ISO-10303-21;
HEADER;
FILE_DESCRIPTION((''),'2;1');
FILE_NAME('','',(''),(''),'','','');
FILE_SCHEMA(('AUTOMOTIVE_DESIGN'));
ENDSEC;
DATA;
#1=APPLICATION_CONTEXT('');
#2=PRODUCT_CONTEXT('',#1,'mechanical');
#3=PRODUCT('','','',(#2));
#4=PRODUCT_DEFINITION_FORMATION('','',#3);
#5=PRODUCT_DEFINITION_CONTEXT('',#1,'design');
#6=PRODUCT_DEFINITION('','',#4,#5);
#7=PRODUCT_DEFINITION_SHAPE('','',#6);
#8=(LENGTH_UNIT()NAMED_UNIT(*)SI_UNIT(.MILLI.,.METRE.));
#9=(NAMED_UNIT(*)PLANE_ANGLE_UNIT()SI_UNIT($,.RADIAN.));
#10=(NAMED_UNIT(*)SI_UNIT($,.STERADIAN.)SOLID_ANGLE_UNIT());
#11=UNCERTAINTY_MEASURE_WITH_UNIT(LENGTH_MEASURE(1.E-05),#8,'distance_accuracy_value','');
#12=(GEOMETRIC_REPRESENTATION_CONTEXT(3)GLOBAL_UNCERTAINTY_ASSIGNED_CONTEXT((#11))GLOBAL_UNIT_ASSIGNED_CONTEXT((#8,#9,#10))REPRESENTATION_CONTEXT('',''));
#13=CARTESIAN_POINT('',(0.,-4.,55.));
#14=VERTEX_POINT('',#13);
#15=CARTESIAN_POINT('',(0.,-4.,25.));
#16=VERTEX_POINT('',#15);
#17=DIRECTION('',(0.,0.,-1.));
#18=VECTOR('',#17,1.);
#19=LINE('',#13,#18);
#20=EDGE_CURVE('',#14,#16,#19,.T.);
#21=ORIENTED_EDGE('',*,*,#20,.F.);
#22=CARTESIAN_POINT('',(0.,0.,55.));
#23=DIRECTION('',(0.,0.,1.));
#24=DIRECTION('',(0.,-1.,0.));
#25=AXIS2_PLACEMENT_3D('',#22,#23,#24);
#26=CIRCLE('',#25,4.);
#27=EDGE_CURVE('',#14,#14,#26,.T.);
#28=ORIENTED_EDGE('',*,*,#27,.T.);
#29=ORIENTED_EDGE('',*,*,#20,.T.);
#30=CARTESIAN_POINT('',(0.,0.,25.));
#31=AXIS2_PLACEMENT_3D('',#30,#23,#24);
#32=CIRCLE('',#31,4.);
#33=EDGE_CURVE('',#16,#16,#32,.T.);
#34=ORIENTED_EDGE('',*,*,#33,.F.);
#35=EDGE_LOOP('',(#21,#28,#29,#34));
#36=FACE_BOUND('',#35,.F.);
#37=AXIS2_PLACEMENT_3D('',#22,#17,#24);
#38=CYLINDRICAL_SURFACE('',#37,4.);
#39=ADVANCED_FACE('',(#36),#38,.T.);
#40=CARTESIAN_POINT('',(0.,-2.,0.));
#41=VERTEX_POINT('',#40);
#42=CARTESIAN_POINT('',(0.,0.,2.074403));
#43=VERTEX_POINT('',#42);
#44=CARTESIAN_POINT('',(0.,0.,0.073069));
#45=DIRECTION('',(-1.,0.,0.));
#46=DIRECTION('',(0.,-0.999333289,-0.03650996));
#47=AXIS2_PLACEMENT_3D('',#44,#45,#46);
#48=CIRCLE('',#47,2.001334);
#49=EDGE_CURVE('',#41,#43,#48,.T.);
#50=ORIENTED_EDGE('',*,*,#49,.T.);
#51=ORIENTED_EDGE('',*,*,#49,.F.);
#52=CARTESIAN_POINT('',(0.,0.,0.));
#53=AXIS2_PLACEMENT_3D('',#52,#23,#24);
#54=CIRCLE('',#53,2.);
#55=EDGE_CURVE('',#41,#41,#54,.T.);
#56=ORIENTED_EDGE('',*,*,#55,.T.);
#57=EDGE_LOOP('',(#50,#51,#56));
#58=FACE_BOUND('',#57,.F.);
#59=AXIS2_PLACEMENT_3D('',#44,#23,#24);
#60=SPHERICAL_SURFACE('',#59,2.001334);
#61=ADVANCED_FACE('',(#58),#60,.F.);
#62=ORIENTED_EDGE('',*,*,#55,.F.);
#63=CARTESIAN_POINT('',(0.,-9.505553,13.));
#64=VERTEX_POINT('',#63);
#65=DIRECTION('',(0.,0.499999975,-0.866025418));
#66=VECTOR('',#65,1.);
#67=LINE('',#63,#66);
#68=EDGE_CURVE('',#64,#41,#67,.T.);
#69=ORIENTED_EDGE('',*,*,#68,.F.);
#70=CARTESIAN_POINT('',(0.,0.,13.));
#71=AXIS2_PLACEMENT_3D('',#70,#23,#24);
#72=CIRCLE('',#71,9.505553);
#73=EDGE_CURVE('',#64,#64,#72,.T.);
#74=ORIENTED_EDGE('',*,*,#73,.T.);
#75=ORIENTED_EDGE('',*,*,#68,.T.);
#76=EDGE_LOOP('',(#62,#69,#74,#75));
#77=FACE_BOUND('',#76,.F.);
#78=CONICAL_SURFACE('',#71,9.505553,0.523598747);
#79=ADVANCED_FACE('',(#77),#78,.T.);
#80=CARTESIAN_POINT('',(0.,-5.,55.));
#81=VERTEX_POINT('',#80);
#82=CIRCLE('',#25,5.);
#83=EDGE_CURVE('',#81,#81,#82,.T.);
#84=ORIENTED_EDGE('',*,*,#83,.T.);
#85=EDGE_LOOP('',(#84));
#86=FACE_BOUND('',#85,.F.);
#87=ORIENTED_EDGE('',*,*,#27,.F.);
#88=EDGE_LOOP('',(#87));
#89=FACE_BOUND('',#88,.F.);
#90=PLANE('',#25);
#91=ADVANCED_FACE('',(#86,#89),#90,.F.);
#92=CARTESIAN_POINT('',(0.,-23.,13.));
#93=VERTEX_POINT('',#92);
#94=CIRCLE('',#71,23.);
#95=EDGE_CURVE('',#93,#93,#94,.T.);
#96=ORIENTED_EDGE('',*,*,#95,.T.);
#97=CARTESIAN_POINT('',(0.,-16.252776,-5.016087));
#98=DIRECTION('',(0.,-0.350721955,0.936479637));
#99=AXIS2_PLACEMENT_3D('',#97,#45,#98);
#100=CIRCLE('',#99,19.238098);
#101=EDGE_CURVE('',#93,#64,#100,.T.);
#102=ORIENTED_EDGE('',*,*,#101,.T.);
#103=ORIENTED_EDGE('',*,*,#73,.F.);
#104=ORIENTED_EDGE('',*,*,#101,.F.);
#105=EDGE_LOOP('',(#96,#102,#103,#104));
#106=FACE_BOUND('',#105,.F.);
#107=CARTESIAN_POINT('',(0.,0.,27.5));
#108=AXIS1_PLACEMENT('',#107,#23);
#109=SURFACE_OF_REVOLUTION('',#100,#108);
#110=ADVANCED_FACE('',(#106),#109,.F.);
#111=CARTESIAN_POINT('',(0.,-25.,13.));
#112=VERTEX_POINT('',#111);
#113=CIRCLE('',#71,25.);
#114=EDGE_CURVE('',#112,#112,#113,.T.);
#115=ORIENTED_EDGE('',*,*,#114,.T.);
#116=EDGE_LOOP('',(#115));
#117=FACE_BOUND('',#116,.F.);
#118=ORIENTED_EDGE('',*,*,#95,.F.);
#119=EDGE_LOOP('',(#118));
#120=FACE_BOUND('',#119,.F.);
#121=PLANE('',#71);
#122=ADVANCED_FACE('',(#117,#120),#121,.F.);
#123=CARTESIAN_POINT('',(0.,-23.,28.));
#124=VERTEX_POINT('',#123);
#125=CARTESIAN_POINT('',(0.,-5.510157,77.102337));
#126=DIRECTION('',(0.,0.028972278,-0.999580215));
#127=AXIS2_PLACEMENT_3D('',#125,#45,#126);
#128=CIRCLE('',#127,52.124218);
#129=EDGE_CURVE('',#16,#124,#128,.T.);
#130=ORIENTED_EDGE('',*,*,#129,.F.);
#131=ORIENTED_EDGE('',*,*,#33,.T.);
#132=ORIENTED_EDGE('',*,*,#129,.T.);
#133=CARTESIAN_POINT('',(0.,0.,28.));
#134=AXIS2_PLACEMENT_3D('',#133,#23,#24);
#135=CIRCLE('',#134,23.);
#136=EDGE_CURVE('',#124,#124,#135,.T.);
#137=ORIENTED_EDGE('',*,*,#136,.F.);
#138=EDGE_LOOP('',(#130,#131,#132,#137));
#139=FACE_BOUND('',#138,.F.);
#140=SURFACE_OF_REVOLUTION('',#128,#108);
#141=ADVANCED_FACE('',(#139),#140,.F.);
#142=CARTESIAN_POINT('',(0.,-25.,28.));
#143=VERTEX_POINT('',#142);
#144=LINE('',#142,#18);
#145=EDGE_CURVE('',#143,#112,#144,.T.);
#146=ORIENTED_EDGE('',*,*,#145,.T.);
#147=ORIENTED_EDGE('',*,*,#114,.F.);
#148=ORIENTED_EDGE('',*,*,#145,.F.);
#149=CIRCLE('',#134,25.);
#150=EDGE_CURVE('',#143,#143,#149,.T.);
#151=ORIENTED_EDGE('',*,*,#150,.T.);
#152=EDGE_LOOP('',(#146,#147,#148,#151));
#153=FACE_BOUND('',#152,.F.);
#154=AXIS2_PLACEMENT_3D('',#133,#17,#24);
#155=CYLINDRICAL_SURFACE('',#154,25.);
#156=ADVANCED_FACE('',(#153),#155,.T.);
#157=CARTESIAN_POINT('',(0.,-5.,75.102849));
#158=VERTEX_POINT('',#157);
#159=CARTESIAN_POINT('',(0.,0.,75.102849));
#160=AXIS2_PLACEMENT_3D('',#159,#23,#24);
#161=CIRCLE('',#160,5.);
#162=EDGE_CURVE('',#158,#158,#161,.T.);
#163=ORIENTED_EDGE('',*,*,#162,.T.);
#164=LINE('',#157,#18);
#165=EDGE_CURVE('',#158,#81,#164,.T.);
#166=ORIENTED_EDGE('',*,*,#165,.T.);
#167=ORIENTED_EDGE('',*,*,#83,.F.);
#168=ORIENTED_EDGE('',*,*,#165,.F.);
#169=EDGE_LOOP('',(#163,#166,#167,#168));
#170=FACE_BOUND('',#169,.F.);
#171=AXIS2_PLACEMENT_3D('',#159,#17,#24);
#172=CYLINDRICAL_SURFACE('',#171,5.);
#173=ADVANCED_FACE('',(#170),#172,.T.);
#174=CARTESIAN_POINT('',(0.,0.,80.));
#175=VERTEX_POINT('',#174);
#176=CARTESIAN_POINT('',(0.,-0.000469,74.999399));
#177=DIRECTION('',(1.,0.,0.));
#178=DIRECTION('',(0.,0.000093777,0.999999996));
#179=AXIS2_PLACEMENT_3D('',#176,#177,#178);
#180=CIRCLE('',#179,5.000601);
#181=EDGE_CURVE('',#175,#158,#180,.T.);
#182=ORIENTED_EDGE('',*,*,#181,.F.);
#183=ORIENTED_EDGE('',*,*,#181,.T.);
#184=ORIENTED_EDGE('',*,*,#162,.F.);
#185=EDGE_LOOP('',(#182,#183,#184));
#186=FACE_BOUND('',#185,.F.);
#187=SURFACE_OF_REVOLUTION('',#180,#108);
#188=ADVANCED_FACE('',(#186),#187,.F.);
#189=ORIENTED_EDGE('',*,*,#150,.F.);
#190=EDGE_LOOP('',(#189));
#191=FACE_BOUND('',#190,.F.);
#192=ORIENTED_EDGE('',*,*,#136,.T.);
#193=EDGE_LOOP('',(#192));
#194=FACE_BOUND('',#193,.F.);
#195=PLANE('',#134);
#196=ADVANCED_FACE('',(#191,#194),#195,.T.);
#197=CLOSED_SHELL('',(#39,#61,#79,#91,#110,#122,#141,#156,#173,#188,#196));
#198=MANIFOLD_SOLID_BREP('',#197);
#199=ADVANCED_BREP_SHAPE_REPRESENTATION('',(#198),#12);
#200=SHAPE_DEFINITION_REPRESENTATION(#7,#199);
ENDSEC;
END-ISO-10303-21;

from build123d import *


with BuildPart() as f1:
    # F0 (on Right) → F1 (revolve)
    with BuildSketch(Plane.YZ):
        with BuildLine():
            ThreePointArc((-2, 0), (-1.440759, 1.462152), (0, 2.074403))
            Line((0, 2.074403), (0, 13))
            Line((0, 13), (0, 55))
            Line((0, 55), (0, 80))
            ThreePointArc((0, 80), (-3.499494, 78.57191), (-5, 75.102849))
            Line((-5, 75.102849), (-5, 74.895948))
            Line((-5, 74.895948), (-5, 55))
            Line((-5, 55), (-4, 55))
            Line((-4, 55), (-4, 25))
            ThreePointArc((-4, 25), (-13.639585, 25.615965), (-23, 28))
            Line((-23, 28), (-25, 28))
            Line((-25, 28), (-25, 25))
            Line((-25, 25), (-25, 13))
            Line((-25, 13), (-23, 13))
            ThreePointArc((-23, 13), (-16.252777, 14.222011), (-9.505553, 13))
            Line((-9.505553, 13), (-2, 0))
        make_face()
    revolve(axis=Axis((0, 0, 27.5), (0, 0, 1)))


solid = f1.part
